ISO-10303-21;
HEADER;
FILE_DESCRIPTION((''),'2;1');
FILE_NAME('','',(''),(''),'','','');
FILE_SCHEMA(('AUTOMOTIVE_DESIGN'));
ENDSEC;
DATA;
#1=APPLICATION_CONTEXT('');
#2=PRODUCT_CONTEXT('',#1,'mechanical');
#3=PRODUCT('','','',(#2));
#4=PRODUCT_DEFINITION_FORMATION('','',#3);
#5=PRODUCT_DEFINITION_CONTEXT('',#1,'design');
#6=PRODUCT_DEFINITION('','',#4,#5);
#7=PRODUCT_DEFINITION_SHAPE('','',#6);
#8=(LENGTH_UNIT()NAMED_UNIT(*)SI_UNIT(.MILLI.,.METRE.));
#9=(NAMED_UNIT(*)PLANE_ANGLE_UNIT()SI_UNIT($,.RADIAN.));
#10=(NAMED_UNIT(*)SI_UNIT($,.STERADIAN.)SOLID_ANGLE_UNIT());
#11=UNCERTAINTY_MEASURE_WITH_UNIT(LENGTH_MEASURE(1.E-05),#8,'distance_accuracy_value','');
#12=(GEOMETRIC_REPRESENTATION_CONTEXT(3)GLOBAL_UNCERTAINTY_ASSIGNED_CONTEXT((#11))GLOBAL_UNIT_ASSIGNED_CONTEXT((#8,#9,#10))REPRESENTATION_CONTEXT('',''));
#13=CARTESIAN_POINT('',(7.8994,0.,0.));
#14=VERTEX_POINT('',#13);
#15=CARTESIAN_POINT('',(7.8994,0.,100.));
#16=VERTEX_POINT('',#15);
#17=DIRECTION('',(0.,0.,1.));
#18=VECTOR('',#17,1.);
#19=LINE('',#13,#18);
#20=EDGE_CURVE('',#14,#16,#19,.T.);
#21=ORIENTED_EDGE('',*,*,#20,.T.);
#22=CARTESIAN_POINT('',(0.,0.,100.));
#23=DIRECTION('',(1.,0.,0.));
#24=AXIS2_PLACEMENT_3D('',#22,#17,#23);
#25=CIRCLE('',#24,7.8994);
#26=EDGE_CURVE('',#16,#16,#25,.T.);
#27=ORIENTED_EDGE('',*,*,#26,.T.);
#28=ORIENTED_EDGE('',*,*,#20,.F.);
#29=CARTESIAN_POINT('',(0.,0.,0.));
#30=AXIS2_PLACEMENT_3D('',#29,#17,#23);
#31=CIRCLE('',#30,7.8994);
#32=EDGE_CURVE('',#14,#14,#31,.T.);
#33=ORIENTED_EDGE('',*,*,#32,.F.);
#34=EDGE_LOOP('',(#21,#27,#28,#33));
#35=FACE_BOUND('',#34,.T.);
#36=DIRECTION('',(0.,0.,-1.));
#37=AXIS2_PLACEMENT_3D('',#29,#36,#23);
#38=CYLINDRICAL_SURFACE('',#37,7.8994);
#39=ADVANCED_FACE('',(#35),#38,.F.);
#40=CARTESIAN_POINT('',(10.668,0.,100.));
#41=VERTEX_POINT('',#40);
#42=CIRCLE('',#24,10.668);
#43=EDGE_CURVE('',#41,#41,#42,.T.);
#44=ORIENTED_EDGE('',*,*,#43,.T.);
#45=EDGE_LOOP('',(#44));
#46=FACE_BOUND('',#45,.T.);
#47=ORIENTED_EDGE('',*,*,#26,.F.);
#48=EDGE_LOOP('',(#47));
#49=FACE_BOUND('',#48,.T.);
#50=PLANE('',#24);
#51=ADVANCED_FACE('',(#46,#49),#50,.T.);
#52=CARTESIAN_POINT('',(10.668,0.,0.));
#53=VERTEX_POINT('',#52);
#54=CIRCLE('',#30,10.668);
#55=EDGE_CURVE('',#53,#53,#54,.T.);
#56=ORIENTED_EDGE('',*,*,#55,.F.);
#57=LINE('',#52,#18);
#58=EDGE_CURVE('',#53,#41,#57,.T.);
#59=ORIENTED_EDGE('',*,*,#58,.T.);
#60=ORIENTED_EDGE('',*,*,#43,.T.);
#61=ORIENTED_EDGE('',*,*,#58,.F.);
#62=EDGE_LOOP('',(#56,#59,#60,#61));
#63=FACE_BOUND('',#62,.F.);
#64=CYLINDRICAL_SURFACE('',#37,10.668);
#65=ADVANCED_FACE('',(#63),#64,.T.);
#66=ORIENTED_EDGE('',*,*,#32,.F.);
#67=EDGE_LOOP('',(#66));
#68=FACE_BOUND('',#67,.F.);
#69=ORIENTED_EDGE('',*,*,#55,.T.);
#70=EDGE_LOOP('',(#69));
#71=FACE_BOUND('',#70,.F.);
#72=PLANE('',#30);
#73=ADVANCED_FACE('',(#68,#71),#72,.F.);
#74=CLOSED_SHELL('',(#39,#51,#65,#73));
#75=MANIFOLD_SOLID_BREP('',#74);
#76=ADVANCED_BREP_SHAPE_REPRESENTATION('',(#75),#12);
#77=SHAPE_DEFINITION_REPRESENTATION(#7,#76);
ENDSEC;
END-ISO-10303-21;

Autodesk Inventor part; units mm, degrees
ref_plane "YZ Plane" through (0, 0, 0) normal (1, 0, 0) x (0, 1, 0)
ref_plane "Start Plane" through (0, 0, 0) normal (0, 0, 1) x (1, 0, 0)
ref_plane "End Plane" through (0, 0, 100) normal (0, 0, 1) x (1, 0, 0)
sketch "Sketch" plane through (0, 0, 0) normal (0, 0, 1) x (1, 0, 0)
  circle A0 centre (0, 0) radius 7.8994
  circle A1 centre (0, 0) radius 10.668
  dimension "d0" = 21.336
  dimension "d1" = 2.7686
extrude "Body" add sketch "Sketch" along normal up to surface (100 mm away) from surface at 0
sketch "Sketch3" plane through (0, 0, 0) normal (0, 0, 1) x (1, 0, 0)
  line L0 (0, 0) -> (10, 0)
ref_plane "Work Plane3" through (0, 0, 0) normal (0, -1, 0) x (1, 0, 0)
sketch "Sketch4" plane through (0, 0, 0) normal (0, -1, 0) x (1, 0, 0)
  line L0 (-2, 0) -> (12, 0) projected
  line L1 (-2, 100) -> (12, 100) projected
  dimension "d7" = 100
equation "\"d0\" = G_H"
equation "\"d1\" = G_T"
equation "\"d2\" = G_L"
equation "\"G_H\" = 21.336"
equation "\"G_T\" = 2.7686"
equation "\"G_L\" = d7"
equation "\"G_OFFSET_START\" = 0"
equation "\"G_OFFSET_END\" = 0"
equation "\"d5\" = G_OFFSET_END + B_L"
equation "\"B_L\" = 100"
properties part number "ANSI - 1/2 x 0.109 - 3.937" material "Steel, Mild"
